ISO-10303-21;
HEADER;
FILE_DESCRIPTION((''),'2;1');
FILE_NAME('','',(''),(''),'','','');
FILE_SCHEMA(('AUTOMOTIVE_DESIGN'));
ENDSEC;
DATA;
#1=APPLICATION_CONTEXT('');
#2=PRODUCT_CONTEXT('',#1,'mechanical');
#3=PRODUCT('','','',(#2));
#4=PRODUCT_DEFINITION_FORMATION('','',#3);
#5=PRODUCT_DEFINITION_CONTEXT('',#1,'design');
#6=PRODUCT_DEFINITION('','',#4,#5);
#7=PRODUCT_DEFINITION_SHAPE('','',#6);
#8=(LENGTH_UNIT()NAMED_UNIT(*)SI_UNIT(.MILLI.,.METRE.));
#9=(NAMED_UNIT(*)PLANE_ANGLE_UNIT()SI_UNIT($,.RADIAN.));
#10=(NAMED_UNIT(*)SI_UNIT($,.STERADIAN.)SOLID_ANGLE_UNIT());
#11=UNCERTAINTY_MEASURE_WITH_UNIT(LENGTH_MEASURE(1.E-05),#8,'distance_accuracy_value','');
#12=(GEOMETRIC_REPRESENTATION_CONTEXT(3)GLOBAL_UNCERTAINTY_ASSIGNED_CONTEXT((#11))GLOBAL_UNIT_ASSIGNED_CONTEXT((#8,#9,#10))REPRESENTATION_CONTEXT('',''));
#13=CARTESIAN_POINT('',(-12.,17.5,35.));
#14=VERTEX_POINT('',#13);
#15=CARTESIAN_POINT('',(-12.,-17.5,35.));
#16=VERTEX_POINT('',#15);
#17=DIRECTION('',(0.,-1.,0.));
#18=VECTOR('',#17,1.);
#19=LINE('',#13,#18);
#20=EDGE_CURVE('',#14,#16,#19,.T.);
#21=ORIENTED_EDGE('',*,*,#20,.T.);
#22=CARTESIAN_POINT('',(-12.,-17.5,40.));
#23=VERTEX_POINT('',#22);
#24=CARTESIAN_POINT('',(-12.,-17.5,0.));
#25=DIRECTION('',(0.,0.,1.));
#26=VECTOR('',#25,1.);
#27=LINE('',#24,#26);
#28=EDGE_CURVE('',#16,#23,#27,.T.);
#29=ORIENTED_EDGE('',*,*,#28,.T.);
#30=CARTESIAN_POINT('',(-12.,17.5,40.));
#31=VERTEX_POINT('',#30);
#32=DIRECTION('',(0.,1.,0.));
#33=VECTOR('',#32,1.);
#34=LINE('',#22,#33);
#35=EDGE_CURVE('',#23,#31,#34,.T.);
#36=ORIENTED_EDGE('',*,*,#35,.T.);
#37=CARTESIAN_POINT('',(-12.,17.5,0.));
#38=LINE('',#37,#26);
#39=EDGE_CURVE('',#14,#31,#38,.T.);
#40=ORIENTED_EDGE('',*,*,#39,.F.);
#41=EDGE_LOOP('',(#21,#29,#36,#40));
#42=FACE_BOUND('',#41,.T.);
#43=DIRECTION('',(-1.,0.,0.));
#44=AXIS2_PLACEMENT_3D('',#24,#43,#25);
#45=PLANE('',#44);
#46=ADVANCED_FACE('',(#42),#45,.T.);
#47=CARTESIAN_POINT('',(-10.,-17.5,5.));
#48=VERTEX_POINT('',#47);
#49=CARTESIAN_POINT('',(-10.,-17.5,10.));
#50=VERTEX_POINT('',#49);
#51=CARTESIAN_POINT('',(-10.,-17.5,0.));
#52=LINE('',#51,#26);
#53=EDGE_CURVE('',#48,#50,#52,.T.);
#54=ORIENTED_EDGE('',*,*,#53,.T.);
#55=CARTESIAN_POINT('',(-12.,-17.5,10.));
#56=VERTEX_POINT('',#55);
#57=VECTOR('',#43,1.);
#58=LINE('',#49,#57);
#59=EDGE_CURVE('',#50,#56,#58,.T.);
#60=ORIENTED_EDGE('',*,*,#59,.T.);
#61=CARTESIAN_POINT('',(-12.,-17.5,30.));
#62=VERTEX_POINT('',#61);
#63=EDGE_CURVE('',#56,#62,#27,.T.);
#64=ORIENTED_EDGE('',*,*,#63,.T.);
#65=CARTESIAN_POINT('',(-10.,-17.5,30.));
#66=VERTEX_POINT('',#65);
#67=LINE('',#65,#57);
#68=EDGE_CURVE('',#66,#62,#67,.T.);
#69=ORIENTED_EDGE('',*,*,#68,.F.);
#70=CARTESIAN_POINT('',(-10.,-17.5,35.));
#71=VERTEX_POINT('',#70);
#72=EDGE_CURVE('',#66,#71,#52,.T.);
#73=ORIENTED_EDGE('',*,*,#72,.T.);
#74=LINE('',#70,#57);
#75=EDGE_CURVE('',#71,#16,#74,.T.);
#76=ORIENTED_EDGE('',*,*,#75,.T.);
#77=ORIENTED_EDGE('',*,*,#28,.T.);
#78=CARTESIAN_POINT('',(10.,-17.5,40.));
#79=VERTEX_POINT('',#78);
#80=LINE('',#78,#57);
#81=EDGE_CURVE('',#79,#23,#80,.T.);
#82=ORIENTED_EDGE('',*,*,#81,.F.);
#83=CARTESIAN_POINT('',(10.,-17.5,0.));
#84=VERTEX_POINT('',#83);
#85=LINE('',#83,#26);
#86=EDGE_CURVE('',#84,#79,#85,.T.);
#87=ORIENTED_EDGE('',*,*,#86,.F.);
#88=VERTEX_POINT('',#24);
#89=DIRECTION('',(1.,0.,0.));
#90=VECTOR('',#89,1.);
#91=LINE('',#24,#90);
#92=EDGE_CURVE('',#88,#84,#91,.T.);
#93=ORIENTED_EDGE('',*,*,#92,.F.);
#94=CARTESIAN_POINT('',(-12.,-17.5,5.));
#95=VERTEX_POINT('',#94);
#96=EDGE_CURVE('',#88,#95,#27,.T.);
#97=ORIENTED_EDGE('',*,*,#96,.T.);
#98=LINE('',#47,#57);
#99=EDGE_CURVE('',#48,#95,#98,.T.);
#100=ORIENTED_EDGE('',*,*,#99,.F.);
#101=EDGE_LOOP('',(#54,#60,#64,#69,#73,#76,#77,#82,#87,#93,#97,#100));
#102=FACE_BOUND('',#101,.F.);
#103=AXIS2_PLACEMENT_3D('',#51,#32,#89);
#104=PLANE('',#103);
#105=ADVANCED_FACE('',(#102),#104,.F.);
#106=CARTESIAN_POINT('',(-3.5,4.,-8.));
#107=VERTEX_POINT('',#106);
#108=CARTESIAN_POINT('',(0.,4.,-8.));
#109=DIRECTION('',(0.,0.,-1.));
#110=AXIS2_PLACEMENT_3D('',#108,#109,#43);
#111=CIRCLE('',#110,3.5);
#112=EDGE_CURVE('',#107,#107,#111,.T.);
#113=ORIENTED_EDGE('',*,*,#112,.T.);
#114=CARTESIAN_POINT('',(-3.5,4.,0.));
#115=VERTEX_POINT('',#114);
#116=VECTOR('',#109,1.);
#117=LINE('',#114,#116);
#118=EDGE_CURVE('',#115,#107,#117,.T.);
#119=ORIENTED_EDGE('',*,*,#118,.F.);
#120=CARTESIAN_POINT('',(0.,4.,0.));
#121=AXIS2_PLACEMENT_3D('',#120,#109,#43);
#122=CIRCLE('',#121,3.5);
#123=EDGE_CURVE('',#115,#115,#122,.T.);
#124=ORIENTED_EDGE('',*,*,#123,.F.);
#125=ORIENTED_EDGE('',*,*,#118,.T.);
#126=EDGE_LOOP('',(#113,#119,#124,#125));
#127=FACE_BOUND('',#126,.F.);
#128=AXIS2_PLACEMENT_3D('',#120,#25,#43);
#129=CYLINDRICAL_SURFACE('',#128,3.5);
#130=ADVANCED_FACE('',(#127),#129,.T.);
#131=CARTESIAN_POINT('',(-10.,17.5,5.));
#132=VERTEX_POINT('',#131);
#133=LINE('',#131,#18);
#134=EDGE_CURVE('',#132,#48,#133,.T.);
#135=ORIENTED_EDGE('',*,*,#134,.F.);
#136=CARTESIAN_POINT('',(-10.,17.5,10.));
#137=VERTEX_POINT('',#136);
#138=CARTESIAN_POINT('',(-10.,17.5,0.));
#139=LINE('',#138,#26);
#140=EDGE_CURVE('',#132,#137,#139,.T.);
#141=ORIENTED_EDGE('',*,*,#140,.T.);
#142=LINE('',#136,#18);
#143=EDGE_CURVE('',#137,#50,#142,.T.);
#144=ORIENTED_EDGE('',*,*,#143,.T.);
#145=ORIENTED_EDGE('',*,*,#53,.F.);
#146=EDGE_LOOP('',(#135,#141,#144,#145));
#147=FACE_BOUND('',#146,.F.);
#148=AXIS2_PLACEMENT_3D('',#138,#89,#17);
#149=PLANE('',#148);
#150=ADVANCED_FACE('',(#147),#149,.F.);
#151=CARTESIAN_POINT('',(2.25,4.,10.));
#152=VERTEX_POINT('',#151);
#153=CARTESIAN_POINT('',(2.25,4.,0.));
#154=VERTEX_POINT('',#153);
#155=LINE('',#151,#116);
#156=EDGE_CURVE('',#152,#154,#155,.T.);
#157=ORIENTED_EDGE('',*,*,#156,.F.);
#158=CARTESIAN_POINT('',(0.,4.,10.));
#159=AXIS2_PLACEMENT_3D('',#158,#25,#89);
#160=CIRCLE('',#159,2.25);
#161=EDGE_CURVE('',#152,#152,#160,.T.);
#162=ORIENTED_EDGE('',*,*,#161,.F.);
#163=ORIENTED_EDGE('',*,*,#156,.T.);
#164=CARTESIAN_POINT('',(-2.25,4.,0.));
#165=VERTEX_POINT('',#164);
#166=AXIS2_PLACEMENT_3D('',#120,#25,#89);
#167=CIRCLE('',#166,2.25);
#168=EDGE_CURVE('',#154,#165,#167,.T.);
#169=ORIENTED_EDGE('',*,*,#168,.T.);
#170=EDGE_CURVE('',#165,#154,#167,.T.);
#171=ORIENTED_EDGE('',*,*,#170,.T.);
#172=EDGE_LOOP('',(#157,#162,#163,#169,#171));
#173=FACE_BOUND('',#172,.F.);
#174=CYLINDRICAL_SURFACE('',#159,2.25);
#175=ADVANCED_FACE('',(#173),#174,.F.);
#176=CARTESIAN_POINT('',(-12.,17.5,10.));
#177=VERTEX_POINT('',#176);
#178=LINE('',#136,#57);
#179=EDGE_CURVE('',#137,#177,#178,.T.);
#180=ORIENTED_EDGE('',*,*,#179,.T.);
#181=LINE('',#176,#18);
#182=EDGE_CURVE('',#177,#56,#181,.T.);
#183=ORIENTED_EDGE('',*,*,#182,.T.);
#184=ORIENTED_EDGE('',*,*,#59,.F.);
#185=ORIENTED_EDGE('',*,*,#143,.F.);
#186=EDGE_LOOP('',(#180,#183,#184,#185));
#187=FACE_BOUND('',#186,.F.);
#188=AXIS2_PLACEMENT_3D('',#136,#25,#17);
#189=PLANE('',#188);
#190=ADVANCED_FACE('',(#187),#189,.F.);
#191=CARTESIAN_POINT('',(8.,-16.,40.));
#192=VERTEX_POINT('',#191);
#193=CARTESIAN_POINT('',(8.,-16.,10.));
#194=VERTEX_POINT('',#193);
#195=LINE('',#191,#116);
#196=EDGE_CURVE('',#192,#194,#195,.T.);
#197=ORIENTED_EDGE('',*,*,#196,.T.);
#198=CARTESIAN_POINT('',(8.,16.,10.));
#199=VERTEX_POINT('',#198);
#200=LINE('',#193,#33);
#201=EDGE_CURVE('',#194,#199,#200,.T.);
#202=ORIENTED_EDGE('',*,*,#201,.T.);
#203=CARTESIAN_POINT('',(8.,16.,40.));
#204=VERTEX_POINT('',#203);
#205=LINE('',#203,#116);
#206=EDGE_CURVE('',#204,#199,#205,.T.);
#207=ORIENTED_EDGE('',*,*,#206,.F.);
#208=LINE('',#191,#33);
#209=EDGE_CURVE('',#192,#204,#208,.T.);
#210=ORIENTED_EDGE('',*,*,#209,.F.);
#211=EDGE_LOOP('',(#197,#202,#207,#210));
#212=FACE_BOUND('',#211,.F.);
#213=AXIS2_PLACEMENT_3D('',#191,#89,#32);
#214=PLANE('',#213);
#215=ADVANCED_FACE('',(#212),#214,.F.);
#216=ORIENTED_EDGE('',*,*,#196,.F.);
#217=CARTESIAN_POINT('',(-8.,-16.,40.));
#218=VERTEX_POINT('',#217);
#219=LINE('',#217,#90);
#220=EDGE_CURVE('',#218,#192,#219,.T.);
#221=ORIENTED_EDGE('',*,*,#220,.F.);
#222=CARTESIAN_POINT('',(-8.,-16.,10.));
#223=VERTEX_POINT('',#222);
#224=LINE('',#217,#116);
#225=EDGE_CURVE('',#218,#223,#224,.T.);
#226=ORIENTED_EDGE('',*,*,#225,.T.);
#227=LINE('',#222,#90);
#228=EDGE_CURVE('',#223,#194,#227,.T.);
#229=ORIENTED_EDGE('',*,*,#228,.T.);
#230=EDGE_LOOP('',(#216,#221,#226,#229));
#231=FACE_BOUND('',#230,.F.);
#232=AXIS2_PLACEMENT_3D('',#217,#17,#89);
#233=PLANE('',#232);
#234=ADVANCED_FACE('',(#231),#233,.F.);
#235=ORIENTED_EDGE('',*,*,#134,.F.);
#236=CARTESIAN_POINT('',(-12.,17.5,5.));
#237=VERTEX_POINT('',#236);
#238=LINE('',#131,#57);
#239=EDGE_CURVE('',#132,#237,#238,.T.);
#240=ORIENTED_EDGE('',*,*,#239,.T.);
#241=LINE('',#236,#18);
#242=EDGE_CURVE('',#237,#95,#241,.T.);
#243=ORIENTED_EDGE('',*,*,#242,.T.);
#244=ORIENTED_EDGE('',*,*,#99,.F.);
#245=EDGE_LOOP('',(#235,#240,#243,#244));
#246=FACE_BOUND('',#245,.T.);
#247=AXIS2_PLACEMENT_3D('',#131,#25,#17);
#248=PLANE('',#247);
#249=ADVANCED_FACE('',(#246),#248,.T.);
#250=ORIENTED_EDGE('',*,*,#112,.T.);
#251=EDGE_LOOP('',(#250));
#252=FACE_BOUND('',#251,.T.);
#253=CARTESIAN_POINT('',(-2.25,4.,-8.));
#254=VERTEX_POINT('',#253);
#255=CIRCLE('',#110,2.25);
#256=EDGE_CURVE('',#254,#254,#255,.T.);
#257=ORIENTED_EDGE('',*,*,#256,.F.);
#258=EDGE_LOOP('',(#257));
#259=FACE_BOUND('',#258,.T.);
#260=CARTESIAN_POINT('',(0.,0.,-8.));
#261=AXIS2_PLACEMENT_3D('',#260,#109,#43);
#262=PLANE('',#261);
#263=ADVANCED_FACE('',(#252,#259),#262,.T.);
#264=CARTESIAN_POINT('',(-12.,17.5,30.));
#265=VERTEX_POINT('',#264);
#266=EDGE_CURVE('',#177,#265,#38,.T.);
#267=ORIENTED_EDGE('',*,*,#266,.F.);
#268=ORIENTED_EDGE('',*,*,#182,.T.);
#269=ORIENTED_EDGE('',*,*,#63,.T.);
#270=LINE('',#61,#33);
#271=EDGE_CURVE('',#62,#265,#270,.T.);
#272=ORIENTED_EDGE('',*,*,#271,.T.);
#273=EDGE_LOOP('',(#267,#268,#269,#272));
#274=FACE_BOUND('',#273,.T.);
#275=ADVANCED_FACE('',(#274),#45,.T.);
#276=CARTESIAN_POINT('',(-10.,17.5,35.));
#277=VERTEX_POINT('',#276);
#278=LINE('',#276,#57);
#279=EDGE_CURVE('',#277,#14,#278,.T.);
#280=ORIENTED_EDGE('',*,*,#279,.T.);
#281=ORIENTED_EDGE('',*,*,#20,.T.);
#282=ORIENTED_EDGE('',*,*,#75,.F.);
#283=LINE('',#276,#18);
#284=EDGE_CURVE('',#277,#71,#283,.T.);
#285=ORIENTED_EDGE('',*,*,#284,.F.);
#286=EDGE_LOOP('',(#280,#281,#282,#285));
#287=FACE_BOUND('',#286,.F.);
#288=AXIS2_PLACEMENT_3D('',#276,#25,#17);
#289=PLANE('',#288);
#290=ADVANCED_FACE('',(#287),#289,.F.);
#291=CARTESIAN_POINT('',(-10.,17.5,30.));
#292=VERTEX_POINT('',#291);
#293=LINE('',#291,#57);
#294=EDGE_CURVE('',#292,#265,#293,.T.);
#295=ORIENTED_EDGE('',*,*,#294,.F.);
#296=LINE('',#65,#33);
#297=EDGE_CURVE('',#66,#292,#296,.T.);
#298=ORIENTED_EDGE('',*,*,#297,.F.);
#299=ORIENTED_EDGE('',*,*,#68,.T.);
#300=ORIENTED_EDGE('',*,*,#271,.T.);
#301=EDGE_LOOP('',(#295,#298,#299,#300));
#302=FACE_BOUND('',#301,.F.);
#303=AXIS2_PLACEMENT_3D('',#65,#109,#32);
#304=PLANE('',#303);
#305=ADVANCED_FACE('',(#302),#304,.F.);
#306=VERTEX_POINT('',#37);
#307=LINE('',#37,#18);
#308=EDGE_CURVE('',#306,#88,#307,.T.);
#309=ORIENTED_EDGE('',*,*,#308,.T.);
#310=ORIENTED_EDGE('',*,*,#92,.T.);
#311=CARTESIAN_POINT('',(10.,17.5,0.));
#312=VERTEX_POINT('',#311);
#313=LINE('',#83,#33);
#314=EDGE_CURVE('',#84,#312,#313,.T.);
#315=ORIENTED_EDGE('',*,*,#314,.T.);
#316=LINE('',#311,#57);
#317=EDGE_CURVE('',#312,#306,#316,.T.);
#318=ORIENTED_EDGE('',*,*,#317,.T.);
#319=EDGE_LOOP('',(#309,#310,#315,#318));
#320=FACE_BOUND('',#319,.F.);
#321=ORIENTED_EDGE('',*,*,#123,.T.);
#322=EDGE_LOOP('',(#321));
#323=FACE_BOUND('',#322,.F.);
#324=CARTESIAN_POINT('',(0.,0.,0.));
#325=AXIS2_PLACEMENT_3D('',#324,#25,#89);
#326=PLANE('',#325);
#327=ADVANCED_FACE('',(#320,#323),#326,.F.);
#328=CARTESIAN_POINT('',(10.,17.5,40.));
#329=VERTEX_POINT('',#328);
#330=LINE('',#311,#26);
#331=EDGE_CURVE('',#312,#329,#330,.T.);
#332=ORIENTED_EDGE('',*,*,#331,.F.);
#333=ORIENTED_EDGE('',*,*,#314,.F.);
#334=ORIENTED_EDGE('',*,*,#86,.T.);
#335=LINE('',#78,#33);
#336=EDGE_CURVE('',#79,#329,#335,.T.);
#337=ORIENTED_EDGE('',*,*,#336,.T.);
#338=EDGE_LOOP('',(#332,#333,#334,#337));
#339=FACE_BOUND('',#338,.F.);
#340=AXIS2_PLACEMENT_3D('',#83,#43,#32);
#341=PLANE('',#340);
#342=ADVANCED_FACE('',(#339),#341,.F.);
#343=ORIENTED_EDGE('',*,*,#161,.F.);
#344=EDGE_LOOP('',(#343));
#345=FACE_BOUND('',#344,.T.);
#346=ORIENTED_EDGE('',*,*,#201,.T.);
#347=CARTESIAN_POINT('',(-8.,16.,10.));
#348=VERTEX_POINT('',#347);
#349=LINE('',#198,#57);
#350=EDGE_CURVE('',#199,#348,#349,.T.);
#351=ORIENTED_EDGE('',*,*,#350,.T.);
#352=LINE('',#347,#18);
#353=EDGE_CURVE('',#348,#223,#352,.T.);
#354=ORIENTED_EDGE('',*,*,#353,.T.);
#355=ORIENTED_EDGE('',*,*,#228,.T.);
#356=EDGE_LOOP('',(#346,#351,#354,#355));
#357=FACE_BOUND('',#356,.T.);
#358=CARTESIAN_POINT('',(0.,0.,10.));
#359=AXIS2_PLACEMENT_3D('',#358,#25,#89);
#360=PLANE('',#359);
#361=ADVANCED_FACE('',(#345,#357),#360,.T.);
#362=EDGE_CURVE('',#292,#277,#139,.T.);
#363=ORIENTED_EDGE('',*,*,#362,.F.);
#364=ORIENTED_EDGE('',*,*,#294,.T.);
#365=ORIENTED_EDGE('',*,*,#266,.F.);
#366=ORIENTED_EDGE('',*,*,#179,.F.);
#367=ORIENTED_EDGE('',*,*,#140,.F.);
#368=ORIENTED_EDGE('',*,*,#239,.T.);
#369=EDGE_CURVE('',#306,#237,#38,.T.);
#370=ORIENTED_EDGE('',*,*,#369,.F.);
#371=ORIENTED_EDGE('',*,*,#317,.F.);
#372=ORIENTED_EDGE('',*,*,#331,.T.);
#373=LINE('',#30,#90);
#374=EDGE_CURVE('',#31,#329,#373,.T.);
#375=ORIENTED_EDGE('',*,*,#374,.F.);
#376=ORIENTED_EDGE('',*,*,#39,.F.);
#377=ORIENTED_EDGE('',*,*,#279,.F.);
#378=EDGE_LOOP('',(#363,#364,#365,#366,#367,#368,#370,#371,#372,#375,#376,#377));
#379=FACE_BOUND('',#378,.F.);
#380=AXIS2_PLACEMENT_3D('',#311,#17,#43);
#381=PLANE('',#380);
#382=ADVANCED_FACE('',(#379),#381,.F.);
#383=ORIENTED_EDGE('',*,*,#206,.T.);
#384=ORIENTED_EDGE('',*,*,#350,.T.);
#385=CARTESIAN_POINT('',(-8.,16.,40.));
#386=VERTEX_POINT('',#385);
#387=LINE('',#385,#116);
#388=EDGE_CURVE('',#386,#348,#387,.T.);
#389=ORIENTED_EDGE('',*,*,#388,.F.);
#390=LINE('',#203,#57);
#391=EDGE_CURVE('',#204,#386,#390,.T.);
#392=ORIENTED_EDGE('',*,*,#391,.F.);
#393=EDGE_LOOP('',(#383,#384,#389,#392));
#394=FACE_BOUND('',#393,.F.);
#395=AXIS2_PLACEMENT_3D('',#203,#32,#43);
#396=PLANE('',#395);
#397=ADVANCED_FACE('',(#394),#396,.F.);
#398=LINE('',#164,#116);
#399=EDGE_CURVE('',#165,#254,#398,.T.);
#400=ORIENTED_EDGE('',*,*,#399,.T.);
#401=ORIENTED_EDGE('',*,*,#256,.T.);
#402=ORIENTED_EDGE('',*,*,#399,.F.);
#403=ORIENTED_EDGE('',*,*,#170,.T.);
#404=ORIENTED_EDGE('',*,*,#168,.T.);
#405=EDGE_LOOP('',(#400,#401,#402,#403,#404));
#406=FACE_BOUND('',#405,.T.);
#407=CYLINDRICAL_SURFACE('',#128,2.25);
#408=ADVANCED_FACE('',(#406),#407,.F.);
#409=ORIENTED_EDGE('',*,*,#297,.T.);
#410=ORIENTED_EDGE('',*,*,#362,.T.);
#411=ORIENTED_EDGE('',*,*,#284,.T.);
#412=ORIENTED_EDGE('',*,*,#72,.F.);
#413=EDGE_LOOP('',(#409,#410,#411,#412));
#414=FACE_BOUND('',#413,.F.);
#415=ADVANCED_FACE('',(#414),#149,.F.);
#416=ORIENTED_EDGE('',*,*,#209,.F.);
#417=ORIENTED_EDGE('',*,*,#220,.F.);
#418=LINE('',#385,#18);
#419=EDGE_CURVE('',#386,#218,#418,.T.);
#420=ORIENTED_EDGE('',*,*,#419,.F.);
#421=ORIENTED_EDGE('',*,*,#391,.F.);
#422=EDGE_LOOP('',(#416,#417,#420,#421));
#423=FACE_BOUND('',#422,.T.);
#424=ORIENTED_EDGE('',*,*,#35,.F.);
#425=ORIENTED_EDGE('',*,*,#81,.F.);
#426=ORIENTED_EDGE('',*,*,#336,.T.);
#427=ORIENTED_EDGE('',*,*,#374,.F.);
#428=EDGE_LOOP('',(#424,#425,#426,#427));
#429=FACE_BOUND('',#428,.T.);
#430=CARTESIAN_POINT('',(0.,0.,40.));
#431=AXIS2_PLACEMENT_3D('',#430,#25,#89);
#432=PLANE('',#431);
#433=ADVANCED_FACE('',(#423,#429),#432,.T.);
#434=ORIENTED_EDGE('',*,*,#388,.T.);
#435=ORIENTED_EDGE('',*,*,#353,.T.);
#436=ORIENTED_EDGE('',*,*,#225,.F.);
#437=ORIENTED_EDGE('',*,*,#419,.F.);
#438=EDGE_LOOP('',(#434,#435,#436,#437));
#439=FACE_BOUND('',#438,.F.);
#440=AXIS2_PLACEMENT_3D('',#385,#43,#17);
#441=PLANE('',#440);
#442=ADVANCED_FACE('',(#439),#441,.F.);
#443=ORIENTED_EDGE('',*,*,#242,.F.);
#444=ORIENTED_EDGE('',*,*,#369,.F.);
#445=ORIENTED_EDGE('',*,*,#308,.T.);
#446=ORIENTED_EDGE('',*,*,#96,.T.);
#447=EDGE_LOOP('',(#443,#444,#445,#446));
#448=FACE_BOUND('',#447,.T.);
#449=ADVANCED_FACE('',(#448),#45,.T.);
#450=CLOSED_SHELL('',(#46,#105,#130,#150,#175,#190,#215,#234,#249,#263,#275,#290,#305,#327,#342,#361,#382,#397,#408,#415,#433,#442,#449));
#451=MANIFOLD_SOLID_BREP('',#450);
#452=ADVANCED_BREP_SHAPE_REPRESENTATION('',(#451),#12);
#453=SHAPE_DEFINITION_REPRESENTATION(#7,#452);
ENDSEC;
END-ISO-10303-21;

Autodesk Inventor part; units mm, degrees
ref_plane "YZ Plane" through (0, 0, 0) normal (1, 0, 0) x (0, 1, 0)
ref_plane "XZ Plane" through (0, 0, 0) normal (0, 1, 0) x (-1, 0, 0)
ref_plane "XY Plane" through (0, 0, 0) normal (0, 0, 1) x (1, 0, 0)
sketch "Sketch1" plane through (0, 0, 0) normal (0, 0, 1) x (1, 0, 0)
  line L0 (-10, -17.5) -> (10, -17.5)
  line L1 (10, -17.5) -> (10, 17.5)
  line L2 (10, 17.5) -> (-10, 17.5)
  line L3 (-10, 17.5) -> (-10, -17.5)
  line L4 (-10, -17.5) -> (10, 17.5) construction
  line L5 (10, -17.5) -> (-10, 17.5) construction
  point P0 (0, 0)
  dimension "d0" = 20
  dimension "d1" = 35
extrude "Extrusion1" add sketch "Sketch1" along normal blind 40
sketch "Sketch2" plane through (0, 0, 40) normal (0, 0, 1) x (1, 0, 0)
  line L0 (-8, -16) -> (8, -16)
  line L1 (8, -16) -> (8, 16)
  line L2 (8, 16) -> (-8, 16)
  line L3 (-8, 16) -> (-8, -16)
  point P0 (0, 0)
  dimension "d4" = 16
  dimension "d5" = 32
extrude "Extrusion2" cut sketch "Sketch2" against normal blind 30
sketch "Sketch3" plane through (0, 0, 10) normal (0, 0, 1) x (1, 0, 0)
  line L0 (8, -16) -> (-8, -16) projected
  line L1 (8, 16) -> (8, -16) projected
  line L2 (-8, 16) -> (8, 16) projected
  line L3 (-8, -16) -> (-8, 16) projected
  point P0 (0, 0)
sketch "Sketch5" plane through (-10, -17.5, 0) normal (-1, 0, 0) x (0, 0, 1)
  line L0 (0, 35) -> (0, 0) projected
  line L1 (0, 0) -> (40, 0) projected
  line L2 (40, 35) -> (40, 0) projected
  line L3 (0, 35) -> (40, 35) projected
  point P0 (0, 17.5)
sketch "Sketch6" plane through (-10, -17.5, 0) normal (-1, 0, 0) x (0, 0, 1)
  line L0 (0, 35) -> (0, 0) projected
  line L1 (0, 0) -> (40, 0) projected
  line L2 (0, 35) -> (40, 35) projected
  line L3 (0, 35) -> (5, 35)
  line L4 (5, 35) -> (5, 0)
  line L5 (5, 0) -> (0, 0)
  line L6 (0, 0) -> (0, 35)
  line L7 (40, 35) -> (35, 35)
  line L8 (35, 35) -> (35, 0)
  line L9 (35, 0) -> (40, 0)
  line L10 (40, 0) -> (40, 35)
  line L11 (10, 0) -> (30, 0)
  line L12 (30, 0) -> (30, 35)
  line L13 (30, 35) -> (10, 35)
  line L14 (10, 35) -> (10, 0)
  point P0 (0, 17.5)
  dimension "d16" = 5
  dimension "d17" = 5
  dimension "d18" = 20
extrude "Extrusion3" add sketch "Sketch6" along normal blind 2 contours L2 L4 L1 L0 | L2 L12 L1 L14 | L2 L10 L1 L8
sketch "Sketch7" plane through (0, 0, 10) normal (0, 0, 1) x (1, 0, 0)
  circle A0 centre (0, 4) radius 2.25
  point P0 (0, 0)
  dimension "d21" = 4.5
extrude "Extrusion4" cut sketch "Sketch7" against normal through all
sketch "Sketch8" plane through (0, 0, 0) normal (0, 0, -1) x (-1, 0, 0)
  circle A0 centre (0, 4) radius 2.25 projected
  circle A1 centre (0, 4) radius 3.5
  point P0 (0, 0)
  dimension "d24" = 7
extrude "Extrusion5" add sketch "Sketch8" along normal blind 8
properties part number "atmos-pressure-end"
